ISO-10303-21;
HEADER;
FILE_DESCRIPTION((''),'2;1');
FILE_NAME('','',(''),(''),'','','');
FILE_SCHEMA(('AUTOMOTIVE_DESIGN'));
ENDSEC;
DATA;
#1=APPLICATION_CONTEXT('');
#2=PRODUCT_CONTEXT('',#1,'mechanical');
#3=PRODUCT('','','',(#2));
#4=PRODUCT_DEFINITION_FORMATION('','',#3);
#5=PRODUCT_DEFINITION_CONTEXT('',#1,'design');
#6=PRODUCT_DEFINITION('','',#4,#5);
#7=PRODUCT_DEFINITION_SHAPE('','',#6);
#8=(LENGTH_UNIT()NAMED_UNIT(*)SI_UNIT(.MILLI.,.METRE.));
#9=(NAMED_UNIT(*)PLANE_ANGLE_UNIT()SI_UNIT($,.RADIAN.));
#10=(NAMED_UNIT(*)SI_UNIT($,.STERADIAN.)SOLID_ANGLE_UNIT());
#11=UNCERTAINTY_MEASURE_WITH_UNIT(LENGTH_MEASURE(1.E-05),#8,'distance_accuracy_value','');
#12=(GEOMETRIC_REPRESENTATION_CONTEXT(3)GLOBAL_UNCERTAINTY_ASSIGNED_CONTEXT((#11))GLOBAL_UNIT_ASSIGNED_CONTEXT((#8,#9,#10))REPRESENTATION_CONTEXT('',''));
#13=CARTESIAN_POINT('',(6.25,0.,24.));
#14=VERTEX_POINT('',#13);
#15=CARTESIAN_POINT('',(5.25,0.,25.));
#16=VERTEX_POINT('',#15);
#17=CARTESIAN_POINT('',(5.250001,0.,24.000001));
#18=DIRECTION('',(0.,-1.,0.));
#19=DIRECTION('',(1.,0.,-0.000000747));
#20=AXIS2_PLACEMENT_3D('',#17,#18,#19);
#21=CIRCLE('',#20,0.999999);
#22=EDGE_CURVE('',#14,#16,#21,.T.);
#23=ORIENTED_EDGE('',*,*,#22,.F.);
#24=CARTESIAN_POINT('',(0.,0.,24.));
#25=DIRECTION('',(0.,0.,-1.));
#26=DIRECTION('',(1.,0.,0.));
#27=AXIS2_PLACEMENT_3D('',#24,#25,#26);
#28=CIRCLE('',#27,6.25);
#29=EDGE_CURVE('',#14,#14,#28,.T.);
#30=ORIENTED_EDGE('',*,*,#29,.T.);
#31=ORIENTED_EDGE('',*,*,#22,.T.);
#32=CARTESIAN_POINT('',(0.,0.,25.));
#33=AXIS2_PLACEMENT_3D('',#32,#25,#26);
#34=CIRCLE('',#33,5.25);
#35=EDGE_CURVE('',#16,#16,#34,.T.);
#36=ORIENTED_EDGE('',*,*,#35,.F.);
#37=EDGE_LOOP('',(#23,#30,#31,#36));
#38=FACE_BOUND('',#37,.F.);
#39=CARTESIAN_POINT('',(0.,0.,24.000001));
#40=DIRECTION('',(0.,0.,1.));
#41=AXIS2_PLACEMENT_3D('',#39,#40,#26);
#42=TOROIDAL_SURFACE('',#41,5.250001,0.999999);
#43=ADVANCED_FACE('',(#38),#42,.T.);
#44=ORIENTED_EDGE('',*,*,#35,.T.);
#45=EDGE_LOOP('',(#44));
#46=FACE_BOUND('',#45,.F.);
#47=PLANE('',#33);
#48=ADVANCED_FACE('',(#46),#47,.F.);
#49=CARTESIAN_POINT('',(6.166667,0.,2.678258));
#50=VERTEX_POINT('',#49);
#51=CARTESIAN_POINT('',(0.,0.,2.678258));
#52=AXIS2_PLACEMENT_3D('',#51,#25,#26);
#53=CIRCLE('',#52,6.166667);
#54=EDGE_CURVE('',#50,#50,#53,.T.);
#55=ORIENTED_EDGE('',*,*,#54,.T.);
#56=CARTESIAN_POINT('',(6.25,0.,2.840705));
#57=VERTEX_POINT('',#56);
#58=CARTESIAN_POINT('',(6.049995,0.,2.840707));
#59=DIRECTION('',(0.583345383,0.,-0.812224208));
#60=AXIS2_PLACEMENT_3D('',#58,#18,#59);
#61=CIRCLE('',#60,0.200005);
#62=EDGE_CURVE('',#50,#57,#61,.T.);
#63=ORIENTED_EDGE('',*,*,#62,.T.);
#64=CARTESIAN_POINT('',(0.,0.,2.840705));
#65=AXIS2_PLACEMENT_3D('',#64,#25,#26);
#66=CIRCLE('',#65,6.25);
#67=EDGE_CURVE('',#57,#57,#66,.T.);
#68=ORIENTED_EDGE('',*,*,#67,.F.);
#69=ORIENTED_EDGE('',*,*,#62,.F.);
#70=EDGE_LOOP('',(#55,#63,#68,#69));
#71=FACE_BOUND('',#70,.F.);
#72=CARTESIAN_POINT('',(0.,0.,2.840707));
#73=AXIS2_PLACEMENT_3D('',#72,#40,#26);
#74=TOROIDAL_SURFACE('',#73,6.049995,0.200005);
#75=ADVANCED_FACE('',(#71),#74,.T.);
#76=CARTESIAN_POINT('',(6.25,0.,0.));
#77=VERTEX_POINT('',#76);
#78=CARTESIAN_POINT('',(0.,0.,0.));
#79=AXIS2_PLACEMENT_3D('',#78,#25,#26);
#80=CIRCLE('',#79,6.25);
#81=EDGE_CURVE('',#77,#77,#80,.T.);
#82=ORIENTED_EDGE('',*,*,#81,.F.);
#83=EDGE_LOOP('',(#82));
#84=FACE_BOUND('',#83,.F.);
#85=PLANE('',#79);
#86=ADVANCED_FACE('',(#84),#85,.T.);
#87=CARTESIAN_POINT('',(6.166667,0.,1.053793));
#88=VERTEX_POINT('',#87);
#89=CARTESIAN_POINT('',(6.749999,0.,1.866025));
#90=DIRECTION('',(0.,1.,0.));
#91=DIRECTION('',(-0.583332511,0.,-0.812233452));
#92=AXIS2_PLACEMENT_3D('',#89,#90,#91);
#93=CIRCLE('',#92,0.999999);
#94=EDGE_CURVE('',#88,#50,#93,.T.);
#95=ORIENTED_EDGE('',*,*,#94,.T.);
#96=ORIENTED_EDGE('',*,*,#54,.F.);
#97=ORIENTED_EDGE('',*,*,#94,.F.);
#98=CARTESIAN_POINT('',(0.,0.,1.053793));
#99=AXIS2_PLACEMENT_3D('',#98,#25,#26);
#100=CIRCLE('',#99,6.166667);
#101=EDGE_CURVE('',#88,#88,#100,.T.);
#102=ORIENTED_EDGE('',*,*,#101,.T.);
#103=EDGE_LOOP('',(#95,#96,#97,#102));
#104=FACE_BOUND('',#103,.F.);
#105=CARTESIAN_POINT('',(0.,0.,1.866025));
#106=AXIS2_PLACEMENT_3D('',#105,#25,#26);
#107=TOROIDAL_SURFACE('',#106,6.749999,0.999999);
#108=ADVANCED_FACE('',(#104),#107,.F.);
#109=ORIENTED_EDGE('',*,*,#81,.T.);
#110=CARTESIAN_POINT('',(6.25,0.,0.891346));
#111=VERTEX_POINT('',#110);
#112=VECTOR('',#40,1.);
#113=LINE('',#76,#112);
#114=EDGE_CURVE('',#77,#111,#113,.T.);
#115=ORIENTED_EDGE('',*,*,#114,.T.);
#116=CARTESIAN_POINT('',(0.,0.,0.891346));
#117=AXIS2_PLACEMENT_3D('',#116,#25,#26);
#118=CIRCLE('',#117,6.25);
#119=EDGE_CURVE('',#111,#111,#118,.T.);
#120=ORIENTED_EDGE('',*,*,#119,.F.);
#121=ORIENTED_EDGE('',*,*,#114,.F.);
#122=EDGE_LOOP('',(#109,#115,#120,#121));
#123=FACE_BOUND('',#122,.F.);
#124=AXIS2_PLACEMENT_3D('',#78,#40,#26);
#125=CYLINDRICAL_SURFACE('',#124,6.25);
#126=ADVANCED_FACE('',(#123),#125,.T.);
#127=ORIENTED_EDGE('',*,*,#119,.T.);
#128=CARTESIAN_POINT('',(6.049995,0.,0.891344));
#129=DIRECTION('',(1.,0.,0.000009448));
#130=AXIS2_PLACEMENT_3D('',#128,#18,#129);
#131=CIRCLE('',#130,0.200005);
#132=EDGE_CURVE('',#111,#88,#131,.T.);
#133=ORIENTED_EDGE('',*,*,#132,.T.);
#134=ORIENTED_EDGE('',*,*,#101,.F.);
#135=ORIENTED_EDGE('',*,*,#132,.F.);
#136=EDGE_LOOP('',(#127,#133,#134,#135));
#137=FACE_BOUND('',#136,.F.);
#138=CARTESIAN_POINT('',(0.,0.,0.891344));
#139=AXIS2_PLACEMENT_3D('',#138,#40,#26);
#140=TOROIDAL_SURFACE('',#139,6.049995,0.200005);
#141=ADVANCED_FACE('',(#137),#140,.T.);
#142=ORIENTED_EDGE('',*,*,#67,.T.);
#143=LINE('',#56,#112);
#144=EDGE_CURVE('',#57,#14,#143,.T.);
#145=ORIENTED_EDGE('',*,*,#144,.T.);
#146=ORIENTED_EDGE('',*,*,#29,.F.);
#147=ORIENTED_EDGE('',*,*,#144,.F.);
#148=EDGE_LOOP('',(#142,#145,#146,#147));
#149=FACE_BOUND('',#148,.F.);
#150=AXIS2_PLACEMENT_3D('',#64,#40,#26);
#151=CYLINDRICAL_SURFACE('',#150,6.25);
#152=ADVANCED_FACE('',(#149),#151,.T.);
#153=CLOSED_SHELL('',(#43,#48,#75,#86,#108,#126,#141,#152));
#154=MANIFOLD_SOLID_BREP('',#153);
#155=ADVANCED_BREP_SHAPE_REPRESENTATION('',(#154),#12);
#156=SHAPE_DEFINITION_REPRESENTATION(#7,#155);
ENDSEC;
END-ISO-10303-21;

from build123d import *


with BuildPart() as f1:
    # F0 (on Front) → F1 (revolve)
    with BuildSketch(Plane.XZ):
        with BuildLine():
            Line((0, 25), (0, 0))
            Line((0, 0), (6.25, 0))
            Line((6.25, 0), (6.25, 0.891346))
            ThreePointArc((6.25, 0.891346), (6.227951, 0.982633), (6.166667, 1.053793))
            ThreePointArc((6.166667, 1.053793), (5.75, 1.866025), (6.166667, 2.678258))
            ThreePointArc((6.166667, 2.678258), (6.227951, 2.749418), (6.25, 2.840705))
            Line((6.25, 2.840705), (6.25, 24))
            ThreePointArc((6.25, 24), (5.957107, 24.707107), (5.25, 25))
            Line((5.25, 25), (0, 25))
        make_face()
    revolve(axis=Axis((0, 0, 12.5), (0, 0, -1)))


solid = f1.part
